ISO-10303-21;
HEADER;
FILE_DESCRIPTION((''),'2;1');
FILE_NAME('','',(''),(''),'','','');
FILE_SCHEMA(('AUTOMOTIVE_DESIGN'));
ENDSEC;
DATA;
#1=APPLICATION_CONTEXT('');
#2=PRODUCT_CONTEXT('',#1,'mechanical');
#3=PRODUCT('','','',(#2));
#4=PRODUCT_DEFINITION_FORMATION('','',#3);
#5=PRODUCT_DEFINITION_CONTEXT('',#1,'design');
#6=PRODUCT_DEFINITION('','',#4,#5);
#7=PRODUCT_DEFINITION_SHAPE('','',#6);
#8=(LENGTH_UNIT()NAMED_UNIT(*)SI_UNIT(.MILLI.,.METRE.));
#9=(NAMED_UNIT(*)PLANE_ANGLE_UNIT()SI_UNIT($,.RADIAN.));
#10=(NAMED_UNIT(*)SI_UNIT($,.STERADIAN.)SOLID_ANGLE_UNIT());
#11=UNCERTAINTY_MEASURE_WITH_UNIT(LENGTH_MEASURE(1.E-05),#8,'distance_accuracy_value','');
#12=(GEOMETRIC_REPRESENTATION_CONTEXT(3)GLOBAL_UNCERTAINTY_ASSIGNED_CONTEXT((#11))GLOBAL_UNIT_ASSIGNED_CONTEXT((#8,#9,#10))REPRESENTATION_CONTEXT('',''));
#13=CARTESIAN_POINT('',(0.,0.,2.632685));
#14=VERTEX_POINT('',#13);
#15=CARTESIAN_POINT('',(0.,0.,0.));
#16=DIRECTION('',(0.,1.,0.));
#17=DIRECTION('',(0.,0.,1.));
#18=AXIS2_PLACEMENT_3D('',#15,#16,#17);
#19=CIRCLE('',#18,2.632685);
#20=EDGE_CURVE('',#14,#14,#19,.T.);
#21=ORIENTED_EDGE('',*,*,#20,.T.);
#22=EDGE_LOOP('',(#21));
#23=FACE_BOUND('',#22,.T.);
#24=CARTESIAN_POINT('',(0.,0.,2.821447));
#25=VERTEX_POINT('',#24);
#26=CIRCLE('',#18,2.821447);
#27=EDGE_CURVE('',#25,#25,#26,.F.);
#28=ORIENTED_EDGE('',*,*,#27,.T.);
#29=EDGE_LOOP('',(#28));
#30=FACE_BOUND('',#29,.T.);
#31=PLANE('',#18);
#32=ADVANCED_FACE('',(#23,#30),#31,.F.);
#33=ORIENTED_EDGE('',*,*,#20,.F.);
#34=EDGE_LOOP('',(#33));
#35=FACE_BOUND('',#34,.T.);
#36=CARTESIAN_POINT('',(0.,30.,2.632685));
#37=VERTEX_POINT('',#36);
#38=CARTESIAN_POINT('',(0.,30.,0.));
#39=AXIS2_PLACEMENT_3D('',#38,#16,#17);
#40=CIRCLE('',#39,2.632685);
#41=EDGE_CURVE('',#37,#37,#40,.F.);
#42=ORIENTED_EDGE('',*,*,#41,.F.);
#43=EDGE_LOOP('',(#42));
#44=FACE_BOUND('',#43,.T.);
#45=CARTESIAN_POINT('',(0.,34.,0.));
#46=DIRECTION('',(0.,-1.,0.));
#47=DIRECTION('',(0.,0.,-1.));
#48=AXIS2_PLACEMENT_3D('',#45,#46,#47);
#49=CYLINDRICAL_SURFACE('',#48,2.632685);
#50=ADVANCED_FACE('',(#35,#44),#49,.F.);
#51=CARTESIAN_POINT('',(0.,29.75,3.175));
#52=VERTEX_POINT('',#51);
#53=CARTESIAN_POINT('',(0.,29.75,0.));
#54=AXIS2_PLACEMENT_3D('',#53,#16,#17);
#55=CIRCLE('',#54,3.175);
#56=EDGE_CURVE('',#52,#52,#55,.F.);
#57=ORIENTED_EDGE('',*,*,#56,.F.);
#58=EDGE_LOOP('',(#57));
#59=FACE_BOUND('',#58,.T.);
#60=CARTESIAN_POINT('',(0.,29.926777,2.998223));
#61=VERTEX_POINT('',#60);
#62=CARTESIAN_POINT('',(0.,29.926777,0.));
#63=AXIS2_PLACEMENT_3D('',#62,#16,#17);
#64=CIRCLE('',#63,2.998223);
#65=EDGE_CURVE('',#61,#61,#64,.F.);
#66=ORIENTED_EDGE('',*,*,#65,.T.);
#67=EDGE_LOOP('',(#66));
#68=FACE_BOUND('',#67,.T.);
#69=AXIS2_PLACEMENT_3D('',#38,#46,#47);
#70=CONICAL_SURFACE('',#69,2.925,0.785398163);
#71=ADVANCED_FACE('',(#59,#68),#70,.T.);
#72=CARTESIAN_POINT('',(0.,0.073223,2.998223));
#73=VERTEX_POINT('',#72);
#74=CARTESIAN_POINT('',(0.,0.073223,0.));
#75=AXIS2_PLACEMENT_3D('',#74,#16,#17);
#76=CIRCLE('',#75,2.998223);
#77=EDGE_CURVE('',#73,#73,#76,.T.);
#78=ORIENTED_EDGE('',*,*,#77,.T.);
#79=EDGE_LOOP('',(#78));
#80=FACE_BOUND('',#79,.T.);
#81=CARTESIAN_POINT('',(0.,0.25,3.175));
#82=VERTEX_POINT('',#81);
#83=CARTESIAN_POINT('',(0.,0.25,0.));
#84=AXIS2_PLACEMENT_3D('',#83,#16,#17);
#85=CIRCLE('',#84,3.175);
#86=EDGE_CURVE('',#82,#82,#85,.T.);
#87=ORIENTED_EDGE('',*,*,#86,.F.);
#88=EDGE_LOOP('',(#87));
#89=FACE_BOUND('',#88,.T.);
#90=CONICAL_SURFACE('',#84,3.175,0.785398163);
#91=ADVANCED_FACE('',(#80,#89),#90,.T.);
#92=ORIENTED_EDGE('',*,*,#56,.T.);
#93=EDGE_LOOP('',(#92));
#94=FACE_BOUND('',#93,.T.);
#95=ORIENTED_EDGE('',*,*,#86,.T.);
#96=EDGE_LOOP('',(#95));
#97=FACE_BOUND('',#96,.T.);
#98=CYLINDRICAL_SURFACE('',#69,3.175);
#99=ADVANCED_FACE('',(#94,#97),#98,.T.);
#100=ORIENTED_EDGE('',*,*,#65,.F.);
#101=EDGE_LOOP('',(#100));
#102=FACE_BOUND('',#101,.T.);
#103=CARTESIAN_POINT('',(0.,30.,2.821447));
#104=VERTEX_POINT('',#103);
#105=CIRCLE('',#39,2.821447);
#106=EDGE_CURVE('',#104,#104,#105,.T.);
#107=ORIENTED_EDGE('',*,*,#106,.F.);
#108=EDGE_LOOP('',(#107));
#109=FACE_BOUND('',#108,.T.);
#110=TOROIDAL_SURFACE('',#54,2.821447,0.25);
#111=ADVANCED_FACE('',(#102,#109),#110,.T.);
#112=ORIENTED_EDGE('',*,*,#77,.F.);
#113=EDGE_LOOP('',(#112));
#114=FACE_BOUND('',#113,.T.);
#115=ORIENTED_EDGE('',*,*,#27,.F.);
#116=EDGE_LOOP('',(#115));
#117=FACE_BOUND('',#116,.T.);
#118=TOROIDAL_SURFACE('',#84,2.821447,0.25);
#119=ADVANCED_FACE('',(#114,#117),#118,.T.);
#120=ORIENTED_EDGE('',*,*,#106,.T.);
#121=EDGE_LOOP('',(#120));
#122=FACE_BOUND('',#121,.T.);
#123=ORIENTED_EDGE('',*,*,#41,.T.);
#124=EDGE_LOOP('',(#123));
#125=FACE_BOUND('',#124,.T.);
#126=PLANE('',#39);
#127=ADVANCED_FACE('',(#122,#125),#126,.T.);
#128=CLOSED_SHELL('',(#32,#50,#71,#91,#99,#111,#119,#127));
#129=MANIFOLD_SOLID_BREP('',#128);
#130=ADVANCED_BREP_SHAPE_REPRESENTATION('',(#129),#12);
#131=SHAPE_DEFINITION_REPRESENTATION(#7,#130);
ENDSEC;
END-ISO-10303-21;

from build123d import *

# Parameters (mm, degrees)
SKETCH1_R           = 3.175
BOSS_EXTRUDE2_DEPTH = 30
CHAMFER1_SIZE       = 0.25
CHAMFER2_SIZE       = 0.25
SKETCH10_R          = 2.632684592
CUT_EXTRUDE2_DEPTH  = 34
FILLET2_R           = 0.25
FILLET3_R           = 0.25


with BuildPart() as part:
    # Sketch1 → Boss-Extrude2 (new body)
    with BuildSketch(Plane(origin=(0, 0, 0), x_dir=(1, 0, 0), z_dir=(0, 1, 0))):
        Circle(SKETCH1_R)
    extrude(amount=BOSS_EXTRUDE2_DEPTH)

    # Chamfer1
    chamfer1_edges = [part.edges().sort_by_distance(p)[0] for p in [
        (-3.175, 30, 0),
    ]]
    chamfer(chamfer1_edges, length=CHAMFER1_SIZE)

    # Chamfer2
    chamfer2_edges = [part.edges().sort_by_distance(p)[0] for p in [
        (-3.175, 0, 0),
    ]]
    chamfer(chamfer2_edges, length=CHAMFER2_SIZE)

    # Sketch10 → Cut-Extrude2 (cut)
    with BuildSketch(Plane(origin=(0, 0, 0), x_dir=(1, 0, 0), z_dir=(0, 1, 0))):
        Circle(SKETCH10_R)
    extrude(amount=CUT_EXTRUDE2_DEPTH, mode=Mode.SUBTRACT)

    # Fillet2
    fillet2_edges = [part.edges().sort_by_distance(p)[0] for p in [
        (-2.925, 30, 0),
    ]]
    fillet(fillet2_edges, radius=FILLET2_R)

    # Fillet3
    fillet3_edges = [part.edges().sort_by_distance(p)[0] for p in [
        (-2.925, 0, 0),
    ]]
    fillet(fillet3_edges, radius=FILLET3_R)


solid = part.part
